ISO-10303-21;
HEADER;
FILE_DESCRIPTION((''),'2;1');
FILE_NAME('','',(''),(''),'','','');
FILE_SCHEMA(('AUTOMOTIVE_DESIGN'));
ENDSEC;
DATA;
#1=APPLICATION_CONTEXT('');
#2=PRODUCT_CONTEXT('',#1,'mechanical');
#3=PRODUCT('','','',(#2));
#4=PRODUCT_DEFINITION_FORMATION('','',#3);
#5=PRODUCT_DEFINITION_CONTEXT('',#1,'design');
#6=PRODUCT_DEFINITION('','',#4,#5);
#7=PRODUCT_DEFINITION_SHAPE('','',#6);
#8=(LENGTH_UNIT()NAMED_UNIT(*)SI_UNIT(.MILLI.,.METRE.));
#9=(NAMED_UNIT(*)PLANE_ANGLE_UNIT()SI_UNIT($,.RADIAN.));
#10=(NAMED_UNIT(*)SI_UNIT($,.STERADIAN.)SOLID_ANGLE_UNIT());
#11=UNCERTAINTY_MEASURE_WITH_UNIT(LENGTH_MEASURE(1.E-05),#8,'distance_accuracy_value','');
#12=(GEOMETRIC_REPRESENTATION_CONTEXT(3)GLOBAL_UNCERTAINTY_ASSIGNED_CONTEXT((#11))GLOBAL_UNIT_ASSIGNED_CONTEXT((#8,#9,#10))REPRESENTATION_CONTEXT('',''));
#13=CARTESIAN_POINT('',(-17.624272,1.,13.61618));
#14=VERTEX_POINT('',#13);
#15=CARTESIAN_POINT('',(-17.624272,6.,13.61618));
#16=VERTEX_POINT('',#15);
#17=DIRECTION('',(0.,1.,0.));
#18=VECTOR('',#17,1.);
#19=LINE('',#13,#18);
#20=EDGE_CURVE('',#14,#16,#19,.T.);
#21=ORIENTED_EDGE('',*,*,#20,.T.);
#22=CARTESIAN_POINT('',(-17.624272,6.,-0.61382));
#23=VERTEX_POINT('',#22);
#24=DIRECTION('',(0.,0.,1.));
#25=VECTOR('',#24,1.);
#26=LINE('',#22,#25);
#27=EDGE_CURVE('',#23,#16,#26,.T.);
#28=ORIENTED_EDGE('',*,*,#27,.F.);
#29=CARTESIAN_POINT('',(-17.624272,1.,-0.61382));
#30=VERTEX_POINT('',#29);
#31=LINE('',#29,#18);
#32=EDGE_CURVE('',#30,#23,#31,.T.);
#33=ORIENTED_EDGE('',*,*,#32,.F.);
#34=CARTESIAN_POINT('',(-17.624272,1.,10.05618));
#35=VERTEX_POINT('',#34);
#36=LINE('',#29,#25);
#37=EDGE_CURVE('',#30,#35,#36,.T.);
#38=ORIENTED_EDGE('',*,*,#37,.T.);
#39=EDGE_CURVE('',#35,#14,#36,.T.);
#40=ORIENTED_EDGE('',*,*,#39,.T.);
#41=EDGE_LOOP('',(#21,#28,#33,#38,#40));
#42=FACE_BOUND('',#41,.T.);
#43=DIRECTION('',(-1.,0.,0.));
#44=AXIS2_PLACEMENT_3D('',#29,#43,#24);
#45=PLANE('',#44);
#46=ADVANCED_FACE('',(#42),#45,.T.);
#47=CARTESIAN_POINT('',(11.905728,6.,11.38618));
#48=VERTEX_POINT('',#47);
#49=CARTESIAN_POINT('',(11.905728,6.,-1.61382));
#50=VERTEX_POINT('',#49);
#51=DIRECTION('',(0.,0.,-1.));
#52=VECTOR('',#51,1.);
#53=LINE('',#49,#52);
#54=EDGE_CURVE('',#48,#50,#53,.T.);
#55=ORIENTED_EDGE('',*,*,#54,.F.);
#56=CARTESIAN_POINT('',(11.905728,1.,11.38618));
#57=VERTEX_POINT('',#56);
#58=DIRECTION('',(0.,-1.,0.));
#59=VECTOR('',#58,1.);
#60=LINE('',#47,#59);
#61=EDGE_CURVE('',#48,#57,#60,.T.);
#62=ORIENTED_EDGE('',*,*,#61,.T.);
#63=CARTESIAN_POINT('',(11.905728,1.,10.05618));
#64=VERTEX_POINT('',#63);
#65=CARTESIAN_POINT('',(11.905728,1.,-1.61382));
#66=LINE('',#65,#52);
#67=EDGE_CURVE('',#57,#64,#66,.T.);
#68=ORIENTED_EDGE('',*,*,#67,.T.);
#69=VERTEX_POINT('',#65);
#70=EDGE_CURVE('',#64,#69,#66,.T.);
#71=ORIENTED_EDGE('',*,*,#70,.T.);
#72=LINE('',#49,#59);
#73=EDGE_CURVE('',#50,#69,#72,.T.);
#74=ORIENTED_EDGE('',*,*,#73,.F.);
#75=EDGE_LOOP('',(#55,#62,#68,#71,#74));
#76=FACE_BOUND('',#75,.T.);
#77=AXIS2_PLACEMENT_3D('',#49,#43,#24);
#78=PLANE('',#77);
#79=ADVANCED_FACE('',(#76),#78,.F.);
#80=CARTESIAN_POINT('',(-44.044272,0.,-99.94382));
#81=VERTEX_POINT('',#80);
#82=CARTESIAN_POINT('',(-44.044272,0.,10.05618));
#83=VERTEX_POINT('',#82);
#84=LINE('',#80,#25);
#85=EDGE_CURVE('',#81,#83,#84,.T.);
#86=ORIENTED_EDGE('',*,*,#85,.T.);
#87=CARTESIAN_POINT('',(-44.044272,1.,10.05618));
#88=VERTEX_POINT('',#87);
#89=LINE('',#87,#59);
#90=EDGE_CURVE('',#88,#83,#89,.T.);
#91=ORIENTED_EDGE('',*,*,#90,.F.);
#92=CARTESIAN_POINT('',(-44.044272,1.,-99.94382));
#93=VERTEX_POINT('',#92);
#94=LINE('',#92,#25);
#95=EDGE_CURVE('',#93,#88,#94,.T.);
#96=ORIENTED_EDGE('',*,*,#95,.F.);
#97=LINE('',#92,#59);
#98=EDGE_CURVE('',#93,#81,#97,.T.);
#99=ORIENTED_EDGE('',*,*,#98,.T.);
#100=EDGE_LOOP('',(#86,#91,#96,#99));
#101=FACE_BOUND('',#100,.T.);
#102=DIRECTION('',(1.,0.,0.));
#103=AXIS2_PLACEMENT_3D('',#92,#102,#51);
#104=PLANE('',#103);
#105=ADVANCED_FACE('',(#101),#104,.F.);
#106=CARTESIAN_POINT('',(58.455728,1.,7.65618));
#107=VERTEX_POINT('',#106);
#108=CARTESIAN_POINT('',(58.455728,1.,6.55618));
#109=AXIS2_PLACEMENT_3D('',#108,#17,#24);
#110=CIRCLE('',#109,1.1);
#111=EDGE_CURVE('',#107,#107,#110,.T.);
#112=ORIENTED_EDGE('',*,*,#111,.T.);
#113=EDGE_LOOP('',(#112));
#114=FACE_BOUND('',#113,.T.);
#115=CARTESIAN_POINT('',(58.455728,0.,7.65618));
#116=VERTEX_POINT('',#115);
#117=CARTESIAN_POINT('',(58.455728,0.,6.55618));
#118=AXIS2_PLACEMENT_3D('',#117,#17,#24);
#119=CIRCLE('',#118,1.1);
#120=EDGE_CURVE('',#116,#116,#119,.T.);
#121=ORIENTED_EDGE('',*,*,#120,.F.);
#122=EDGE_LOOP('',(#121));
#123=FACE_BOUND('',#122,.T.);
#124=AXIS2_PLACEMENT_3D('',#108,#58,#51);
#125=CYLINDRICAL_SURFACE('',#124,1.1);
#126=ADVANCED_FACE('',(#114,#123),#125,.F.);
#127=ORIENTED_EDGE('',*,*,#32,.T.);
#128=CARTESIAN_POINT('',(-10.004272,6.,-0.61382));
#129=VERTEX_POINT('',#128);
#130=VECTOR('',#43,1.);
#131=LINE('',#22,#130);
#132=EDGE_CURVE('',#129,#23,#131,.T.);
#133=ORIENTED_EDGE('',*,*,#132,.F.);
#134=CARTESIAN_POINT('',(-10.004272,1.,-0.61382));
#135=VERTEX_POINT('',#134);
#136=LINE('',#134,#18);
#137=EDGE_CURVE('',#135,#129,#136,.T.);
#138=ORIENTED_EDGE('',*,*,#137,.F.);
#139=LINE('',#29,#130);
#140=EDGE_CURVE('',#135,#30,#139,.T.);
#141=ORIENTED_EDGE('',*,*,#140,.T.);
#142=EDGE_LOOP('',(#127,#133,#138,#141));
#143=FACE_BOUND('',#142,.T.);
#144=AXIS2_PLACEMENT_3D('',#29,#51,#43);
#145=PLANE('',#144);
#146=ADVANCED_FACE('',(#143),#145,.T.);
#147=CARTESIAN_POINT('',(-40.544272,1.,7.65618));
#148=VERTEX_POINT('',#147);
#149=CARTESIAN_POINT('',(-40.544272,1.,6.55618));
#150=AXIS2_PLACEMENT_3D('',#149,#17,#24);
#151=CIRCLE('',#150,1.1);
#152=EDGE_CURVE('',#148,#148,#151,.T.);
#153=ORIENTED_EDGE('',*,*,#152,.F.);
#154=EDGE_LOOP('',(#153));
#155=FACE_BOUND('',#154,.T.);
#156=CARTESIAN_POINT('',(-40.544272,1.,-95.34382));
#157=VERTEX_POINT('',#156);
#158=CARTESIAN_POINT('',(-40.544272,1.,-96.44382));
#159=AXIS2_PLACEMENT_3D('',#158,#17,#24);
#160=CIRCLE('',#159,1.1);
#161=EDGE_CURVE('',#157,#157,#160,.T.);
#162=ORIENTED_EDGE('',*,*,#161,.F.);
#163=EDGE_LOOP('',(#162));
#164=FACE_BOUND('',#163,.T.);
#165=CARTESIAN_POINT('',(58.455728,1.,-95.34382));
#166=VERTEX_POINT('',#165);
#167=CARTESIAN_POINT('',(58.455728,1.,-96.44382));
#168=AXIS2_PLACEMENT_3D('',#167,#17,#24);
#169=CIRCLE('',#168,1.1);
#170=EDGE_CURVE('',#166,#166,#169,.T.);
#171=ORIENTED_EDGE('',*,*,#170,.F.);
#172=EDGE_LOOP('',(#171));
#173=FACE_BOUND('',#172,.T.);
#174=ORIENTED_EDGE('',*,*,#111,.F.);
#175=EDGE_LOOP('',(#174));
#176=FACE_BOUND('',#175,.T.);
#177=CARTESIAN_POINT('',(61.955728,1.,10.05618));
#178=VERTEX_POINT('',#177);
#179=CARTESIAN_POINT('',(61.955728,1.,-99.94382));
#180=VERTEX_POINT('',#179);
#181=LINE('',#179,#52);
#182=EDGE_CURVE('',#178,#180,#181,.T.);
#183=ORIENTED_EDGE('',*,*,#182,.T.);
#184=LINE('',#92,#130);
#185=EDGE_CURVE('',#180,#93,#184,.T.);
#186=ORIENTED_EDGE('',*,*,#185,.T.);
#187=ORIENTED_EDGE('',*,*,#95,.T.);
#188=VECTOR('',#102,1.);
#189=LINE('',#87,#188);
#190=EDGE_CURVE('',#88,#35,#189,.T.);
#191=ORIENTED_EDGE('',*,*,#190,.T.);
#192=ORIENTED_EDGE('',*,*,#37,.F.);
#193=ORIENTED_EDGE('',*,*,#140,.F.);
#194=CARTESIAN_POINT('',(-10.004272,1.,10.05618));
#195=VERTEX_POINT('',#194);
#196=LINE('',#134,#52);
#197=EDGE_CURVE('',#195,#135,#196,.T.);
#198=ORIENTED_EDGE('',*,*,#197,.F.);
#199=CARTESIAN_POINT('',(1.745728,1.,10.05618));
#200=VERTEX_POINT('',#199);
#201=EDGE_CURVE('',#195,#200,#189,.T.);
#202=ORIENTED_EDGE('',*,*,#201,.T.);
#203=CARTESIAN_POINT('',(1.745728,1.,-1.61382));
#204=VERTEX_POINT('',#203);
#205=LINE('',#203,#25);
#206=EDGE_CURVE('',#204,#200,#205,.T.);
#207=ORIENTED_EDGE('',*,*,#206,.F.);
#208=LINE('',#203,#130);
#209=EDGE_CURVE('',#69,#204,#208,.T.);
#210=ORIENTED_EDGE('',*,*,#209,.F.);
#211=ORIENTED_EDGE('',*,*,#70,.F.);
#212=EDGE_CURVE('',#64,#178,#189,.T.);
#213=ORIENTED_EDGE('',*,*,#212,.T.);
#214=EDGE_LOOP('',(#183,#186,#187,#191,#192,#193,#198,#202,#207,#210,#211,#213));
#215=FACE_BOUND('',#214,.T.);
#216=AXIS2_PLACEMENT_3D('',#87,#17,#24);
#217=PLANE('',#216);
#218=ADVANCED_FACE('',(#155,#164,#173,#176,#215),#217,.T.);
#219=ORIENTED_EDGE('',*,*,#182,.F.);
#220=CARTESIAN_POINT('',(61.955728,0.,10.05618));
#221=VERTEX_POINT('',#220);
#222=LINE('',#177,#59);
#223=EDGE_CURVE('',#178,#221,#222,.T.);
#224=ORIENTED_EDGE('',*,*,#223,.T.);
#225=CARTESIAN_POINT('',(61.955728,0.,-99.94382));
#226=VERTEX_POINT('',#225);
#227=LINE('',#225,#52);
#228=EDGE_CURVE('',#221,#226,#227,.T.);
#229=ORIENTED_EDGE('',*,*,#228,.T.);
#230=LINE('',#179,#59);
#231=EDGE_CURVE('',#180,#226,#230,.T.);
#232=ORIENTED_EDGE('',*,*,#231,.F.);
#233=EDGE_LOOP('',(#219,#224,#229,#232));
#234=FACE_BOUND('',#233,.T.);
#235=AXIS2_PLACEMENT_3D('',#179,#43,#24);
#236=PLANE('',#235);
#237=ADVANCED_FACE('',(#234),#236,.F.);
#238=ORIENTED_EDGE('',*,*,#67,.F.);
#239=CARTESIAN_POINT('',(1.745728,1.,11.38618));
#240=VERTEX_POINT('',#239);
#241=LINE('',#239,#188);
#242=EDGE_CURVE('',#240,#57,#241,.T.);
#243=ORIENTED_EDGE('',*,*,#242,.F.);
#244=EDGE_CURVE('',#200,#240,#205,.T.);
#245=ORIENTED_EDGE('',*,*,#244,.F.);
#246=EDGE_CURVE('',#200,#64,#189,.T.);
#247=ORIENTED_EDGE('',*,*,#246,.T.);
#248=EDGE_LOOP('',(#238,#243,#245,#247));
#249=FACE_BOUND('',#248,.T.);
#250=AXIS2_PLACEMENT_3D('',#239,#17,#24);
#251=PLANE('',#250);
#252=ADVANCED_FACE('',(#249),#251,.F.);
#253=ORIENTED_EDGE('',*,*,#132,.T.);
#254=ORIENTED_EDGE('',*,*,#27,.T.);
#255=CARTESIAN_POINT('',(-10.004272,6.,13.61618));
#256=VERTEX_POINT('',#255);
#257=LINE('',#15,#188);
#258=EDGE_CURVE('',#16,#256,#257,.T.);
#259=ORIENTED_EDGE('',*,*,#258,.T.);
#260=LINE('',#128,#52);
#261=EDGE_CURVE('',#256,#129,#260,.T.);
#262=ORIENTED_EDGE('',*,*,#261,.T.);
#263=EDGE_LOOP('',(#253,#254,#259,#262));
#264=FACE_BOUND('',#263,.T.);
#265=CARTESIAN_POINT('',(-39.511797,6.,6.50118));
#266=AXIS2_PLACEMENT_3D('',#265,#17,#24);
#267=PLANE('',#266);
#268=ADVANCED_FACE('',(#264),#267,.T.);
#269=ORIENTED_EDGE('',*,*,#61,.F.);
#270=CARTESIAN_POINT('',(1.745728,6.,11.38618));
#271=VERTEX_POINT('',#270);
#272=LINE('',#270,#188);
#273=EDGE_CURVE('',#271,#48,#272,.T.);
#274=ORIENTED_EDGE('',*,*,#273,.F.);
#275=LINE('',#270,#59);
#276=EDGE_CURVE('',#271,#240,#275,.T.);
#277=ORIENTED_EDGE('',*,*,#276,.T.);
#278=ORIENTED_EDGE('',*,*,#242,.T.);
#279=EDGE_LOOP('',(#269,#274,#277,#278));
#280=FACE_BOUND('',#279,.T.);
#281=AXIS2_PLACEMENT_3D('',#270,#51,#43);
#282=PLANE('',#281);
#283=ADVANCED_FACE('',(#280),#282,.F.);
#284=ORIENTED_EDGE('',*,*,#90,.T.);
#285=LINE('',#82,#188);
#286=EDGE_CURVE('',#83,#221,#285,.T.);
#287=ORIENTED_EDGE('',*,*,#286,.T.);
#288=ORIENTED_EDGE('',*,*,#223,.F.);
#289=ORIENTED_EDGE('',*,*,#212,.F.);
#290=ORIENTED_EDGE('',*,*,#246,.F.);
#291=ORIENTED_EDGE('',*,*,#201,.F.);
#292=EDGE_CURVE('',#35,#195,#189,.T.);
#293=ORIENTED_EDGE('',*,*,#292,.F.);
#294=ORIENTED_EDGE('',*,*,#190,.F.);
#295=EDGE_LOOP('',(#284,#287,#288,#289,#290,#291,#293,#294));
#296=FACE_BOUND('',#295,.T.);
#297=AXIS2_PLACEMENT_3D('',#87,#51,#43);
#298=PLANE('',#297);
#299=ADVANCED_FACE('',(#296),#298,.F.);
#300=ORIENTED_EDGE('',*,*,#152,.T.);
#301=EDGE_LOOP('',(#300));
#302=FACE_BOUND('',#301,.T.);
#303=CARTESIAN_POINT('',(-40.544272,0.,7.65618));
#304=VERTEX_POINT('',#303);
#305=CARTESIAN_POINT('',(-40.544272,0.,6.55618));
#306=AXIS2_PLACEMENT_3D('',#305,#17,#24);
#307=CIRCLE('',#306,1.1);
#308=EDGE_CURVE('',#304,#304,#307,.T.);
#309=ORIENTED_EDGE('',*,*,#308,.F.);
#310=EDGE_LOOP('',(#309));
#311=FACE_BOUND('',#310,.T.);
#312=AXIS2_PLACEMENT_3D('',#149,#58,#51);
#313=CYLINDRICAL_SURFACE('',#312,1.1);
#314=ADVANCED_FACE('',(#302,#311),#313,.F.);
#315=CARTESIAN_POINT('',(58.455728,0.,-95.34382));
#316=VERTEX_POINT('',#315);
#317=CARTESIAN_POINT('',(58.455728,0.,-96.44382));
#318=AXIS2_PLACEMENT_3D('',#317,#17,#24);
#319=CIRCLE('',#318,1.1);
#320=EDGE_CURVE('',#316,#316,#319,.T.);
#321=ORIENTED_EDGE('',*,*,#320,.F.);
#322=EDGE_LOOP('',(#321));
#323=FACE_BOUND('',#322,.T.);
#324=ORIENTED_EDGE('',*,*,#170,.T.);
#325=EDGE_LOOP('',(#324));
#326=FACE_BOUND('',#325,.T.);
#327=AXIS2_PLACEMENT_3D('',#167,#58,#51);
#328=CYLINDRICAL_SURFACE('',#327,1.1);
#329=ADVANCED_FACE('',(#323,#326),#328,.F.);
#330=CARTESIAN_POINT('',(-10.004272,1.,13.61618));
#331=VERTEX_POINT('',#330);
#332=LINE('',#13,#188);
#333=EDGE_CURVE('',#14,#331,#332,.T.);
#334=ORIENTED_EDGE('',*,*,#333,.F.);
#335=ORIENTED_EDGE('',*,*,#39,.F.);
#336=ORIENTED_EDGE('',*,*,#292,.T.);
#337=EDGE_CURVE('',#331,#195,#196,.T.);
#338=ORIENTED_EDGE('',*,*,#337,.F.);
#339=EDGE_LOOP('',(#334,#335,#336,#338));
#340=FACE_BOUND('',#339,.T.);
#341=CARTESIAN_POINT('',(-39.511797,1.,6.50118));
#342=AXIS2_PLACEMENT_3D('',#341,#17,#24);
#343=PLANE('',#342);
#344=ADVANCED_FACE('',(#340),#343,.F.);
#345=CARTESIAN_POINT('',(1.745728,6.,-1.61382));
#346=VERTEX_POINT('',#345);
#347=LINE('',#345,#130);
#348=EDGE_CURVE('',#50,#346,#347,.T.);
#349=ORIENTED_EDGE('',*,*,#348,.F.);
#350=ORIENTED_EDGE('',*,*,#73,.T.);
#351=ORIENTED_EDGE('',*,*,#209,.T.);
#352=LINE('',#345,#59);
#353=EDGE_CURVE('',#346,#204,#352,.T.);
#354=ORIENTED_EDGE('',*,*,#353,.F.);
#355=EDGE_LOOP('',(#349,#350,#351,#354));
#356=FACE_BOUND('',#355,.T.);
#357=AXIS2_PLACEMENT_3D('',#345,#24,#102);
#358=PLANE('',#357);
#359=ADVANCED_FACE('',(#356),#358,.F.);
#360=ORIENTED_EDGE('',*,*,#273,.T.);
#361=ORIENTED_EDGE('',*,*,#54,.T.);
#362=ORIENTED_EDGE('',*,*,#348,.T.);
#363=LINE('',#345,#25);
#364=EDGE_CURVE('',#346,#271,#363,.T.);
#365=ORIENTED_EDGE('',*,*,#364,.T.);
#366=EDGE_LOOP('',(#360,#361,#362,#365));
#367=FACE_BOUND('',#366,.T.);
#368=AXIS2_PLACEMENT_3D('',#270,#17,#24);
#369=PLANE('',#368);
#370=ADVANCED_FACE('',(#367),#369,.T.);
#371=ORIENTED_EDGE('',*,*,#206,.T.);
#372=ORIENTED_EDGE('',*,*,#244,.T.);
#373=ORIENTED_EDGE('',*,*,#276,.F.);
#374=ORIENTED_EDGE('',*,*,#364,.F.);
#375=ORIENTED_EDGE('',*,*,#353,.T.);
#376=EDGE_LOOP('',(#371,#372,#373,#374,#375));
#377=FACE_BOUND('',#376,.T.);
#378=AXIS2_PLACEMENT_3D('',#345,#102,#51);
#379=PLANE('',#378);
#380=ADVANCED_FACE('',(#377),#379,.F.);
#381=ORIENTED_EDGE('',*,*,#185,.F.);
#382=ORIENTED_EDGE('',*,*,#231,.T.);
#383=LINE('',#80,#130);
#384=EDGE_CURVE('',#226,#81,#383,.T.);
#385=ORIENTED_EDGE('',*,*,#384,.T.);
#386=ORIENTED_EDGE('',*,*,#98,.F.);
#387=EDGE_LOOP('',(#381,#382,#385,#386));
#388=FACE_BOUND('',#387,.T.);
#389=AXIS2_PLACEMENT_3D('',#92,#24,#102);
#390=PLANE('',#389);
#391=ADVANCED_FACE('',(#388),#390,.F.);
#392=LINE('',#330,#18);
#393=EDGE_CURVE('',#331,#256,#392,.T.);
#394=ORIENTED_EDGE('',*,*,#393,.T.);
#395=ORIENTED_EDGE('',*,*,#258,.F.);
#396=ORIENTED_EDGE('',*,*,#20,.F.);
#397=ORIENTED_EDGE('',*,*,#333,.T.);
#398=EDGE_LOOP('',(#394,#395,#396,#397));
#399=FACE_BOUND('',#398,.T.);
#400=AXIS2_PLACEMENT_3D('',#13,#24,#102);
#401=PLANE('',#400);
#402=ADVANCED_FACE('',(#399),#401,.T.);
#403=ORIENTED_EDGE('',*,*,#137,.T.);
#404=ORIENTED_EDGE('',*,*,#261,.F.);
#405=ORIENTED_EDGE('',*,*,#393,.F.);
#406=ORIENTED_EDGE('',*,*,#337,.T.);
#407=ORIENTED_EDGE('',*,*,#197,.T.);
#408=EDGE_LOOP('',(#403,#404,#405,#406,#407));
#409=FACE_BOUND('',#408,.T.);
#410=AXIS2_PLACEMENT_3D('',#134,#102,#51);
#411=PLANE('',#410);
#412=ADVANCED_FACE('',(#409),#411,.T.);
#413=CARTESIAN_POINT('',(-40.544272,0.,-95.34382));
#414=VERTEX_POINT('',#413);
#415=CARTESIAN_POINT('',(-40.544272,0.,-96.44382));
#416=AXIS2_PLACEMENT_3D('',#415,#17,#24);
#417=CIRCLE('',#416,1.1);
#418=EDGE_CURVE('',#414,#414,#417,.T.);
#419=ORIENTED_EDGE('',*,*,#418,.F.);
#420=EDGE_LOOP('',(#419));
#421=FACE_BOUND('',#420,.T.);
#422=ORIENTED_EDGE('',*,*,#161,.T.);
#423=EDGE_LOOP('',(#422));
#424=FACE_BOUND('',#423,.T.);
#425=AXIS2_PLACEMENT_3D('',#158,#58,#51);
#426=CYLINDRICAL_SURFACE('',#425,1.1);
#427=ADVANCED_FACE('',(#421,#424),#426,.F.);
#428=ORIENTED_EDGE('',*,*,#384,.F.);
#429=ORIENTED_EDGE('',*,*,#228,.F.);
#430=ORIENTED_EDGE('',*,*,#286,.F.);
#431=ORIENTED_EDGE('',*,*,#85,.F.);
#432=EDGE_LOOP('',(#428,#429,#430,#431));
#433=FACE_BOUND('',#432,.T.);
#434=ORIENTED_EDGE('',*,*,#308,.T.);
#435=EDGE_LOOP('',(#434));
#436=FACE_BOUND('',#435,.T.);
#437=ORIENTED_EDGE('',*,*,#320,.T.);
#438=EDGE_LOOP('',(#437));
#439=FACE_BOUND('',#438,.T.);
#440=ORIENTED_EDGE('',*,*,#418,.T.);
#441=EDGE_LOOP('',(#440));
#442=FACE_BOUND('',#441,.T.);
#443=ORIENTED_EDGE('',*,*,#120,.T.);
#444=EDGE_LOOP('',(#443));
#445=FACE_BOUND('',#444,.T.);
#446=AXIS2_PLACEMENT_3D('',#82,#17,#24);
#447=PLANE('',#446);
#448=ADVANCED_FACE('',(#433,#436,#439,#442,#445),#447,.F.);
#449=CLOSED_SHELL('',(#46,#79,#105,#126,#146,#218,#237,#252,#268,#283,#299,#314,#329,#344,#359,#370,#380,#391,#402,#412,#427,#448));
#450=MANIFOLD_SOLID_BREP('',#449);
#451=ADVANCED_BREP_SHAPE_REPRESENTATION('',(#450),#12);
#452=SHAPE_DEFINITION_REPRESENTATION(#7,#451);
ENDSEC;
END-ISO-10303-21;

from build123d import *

# Parameters (mm, degrees)
SKETCH1_W           = 106
SKETCH1_H           = 110
SKETCH1_R           = 1.1
BOSS_EXTRUDE1_DEPTH = 1
BOSS_EXTRUDE3_DEPTH = 5
SKETCH3_W           = 10.16
SKETCH3_H           = 13
BOSS_EXTRUDE4_DEPTH = 5


with BuildPart() as part:
    # Sketch1 → Boss-Extrude1 (new body)
    with BuildSketch(Plane(origin=(0, 0, 0), x_dir=(1, 0, 0), z_dir=(0, 1, 0))):
        with Locations((8.955727632, 44.943820005)):
            Rectangle(SKETCH1_W, SKETCH1_H)
        with Locations(Location((-40.544272368, -6.556179995, 0), (0, 0, 270))):
            Circle(SKETCH1_R, mode=Mode.SUBTRACT)
        with Locations(Location((58.455727632, -6.556179995, 0), (0, 0, 270))):
            Circle(SKETCH1_R, mode=Mode.SUBTRACT)
        with Locations(Location((-40.544272368, 96.443820005, 0), (0, 0, 270))):
            Circle(SKETCH1_R, mode=Mode.SUBTRACT)
        with Locations(Location((58.455727632, 96.443820005, 0), (0, 0, 270))):
            Circle(SKETCH1_R, mode=Mode.SUBTRACT)
    extrude(amount=BOSS_EXTRUDE1_DEPTH)

    # 3DSketch1 → Boss-Extrude3 (add)
    with BuildSketch(Plane(origin=(-17.624272368, 1, -0.613820005), x_dir=(0.47206668121683765, 0, 0.8815628443196325), z_dir=(0, -1, 0))):
        Polygon((0, 0), (3.597148111, -6.717508874), (16.141787386, 0), (12.544639275, 6.717508874), align=None)
    extrude(amount=-BOSS_EXTRUDE3_DEPTH)

    # Sketch3 → Boss-Extrude4 (add)
    with BuildSketch(Plane(origin=(0, 1, 0), x_dir=(1, 0, 0), z_dir=(0, 1, 0))):
        with Locations((6.825727632, -4.886179995)):
            Rectangle(SKETCH3_W, SKETCH3_H)
    extrude(amount=BOSS_EXTRUDE4_DEPTH)


solid = part.part
